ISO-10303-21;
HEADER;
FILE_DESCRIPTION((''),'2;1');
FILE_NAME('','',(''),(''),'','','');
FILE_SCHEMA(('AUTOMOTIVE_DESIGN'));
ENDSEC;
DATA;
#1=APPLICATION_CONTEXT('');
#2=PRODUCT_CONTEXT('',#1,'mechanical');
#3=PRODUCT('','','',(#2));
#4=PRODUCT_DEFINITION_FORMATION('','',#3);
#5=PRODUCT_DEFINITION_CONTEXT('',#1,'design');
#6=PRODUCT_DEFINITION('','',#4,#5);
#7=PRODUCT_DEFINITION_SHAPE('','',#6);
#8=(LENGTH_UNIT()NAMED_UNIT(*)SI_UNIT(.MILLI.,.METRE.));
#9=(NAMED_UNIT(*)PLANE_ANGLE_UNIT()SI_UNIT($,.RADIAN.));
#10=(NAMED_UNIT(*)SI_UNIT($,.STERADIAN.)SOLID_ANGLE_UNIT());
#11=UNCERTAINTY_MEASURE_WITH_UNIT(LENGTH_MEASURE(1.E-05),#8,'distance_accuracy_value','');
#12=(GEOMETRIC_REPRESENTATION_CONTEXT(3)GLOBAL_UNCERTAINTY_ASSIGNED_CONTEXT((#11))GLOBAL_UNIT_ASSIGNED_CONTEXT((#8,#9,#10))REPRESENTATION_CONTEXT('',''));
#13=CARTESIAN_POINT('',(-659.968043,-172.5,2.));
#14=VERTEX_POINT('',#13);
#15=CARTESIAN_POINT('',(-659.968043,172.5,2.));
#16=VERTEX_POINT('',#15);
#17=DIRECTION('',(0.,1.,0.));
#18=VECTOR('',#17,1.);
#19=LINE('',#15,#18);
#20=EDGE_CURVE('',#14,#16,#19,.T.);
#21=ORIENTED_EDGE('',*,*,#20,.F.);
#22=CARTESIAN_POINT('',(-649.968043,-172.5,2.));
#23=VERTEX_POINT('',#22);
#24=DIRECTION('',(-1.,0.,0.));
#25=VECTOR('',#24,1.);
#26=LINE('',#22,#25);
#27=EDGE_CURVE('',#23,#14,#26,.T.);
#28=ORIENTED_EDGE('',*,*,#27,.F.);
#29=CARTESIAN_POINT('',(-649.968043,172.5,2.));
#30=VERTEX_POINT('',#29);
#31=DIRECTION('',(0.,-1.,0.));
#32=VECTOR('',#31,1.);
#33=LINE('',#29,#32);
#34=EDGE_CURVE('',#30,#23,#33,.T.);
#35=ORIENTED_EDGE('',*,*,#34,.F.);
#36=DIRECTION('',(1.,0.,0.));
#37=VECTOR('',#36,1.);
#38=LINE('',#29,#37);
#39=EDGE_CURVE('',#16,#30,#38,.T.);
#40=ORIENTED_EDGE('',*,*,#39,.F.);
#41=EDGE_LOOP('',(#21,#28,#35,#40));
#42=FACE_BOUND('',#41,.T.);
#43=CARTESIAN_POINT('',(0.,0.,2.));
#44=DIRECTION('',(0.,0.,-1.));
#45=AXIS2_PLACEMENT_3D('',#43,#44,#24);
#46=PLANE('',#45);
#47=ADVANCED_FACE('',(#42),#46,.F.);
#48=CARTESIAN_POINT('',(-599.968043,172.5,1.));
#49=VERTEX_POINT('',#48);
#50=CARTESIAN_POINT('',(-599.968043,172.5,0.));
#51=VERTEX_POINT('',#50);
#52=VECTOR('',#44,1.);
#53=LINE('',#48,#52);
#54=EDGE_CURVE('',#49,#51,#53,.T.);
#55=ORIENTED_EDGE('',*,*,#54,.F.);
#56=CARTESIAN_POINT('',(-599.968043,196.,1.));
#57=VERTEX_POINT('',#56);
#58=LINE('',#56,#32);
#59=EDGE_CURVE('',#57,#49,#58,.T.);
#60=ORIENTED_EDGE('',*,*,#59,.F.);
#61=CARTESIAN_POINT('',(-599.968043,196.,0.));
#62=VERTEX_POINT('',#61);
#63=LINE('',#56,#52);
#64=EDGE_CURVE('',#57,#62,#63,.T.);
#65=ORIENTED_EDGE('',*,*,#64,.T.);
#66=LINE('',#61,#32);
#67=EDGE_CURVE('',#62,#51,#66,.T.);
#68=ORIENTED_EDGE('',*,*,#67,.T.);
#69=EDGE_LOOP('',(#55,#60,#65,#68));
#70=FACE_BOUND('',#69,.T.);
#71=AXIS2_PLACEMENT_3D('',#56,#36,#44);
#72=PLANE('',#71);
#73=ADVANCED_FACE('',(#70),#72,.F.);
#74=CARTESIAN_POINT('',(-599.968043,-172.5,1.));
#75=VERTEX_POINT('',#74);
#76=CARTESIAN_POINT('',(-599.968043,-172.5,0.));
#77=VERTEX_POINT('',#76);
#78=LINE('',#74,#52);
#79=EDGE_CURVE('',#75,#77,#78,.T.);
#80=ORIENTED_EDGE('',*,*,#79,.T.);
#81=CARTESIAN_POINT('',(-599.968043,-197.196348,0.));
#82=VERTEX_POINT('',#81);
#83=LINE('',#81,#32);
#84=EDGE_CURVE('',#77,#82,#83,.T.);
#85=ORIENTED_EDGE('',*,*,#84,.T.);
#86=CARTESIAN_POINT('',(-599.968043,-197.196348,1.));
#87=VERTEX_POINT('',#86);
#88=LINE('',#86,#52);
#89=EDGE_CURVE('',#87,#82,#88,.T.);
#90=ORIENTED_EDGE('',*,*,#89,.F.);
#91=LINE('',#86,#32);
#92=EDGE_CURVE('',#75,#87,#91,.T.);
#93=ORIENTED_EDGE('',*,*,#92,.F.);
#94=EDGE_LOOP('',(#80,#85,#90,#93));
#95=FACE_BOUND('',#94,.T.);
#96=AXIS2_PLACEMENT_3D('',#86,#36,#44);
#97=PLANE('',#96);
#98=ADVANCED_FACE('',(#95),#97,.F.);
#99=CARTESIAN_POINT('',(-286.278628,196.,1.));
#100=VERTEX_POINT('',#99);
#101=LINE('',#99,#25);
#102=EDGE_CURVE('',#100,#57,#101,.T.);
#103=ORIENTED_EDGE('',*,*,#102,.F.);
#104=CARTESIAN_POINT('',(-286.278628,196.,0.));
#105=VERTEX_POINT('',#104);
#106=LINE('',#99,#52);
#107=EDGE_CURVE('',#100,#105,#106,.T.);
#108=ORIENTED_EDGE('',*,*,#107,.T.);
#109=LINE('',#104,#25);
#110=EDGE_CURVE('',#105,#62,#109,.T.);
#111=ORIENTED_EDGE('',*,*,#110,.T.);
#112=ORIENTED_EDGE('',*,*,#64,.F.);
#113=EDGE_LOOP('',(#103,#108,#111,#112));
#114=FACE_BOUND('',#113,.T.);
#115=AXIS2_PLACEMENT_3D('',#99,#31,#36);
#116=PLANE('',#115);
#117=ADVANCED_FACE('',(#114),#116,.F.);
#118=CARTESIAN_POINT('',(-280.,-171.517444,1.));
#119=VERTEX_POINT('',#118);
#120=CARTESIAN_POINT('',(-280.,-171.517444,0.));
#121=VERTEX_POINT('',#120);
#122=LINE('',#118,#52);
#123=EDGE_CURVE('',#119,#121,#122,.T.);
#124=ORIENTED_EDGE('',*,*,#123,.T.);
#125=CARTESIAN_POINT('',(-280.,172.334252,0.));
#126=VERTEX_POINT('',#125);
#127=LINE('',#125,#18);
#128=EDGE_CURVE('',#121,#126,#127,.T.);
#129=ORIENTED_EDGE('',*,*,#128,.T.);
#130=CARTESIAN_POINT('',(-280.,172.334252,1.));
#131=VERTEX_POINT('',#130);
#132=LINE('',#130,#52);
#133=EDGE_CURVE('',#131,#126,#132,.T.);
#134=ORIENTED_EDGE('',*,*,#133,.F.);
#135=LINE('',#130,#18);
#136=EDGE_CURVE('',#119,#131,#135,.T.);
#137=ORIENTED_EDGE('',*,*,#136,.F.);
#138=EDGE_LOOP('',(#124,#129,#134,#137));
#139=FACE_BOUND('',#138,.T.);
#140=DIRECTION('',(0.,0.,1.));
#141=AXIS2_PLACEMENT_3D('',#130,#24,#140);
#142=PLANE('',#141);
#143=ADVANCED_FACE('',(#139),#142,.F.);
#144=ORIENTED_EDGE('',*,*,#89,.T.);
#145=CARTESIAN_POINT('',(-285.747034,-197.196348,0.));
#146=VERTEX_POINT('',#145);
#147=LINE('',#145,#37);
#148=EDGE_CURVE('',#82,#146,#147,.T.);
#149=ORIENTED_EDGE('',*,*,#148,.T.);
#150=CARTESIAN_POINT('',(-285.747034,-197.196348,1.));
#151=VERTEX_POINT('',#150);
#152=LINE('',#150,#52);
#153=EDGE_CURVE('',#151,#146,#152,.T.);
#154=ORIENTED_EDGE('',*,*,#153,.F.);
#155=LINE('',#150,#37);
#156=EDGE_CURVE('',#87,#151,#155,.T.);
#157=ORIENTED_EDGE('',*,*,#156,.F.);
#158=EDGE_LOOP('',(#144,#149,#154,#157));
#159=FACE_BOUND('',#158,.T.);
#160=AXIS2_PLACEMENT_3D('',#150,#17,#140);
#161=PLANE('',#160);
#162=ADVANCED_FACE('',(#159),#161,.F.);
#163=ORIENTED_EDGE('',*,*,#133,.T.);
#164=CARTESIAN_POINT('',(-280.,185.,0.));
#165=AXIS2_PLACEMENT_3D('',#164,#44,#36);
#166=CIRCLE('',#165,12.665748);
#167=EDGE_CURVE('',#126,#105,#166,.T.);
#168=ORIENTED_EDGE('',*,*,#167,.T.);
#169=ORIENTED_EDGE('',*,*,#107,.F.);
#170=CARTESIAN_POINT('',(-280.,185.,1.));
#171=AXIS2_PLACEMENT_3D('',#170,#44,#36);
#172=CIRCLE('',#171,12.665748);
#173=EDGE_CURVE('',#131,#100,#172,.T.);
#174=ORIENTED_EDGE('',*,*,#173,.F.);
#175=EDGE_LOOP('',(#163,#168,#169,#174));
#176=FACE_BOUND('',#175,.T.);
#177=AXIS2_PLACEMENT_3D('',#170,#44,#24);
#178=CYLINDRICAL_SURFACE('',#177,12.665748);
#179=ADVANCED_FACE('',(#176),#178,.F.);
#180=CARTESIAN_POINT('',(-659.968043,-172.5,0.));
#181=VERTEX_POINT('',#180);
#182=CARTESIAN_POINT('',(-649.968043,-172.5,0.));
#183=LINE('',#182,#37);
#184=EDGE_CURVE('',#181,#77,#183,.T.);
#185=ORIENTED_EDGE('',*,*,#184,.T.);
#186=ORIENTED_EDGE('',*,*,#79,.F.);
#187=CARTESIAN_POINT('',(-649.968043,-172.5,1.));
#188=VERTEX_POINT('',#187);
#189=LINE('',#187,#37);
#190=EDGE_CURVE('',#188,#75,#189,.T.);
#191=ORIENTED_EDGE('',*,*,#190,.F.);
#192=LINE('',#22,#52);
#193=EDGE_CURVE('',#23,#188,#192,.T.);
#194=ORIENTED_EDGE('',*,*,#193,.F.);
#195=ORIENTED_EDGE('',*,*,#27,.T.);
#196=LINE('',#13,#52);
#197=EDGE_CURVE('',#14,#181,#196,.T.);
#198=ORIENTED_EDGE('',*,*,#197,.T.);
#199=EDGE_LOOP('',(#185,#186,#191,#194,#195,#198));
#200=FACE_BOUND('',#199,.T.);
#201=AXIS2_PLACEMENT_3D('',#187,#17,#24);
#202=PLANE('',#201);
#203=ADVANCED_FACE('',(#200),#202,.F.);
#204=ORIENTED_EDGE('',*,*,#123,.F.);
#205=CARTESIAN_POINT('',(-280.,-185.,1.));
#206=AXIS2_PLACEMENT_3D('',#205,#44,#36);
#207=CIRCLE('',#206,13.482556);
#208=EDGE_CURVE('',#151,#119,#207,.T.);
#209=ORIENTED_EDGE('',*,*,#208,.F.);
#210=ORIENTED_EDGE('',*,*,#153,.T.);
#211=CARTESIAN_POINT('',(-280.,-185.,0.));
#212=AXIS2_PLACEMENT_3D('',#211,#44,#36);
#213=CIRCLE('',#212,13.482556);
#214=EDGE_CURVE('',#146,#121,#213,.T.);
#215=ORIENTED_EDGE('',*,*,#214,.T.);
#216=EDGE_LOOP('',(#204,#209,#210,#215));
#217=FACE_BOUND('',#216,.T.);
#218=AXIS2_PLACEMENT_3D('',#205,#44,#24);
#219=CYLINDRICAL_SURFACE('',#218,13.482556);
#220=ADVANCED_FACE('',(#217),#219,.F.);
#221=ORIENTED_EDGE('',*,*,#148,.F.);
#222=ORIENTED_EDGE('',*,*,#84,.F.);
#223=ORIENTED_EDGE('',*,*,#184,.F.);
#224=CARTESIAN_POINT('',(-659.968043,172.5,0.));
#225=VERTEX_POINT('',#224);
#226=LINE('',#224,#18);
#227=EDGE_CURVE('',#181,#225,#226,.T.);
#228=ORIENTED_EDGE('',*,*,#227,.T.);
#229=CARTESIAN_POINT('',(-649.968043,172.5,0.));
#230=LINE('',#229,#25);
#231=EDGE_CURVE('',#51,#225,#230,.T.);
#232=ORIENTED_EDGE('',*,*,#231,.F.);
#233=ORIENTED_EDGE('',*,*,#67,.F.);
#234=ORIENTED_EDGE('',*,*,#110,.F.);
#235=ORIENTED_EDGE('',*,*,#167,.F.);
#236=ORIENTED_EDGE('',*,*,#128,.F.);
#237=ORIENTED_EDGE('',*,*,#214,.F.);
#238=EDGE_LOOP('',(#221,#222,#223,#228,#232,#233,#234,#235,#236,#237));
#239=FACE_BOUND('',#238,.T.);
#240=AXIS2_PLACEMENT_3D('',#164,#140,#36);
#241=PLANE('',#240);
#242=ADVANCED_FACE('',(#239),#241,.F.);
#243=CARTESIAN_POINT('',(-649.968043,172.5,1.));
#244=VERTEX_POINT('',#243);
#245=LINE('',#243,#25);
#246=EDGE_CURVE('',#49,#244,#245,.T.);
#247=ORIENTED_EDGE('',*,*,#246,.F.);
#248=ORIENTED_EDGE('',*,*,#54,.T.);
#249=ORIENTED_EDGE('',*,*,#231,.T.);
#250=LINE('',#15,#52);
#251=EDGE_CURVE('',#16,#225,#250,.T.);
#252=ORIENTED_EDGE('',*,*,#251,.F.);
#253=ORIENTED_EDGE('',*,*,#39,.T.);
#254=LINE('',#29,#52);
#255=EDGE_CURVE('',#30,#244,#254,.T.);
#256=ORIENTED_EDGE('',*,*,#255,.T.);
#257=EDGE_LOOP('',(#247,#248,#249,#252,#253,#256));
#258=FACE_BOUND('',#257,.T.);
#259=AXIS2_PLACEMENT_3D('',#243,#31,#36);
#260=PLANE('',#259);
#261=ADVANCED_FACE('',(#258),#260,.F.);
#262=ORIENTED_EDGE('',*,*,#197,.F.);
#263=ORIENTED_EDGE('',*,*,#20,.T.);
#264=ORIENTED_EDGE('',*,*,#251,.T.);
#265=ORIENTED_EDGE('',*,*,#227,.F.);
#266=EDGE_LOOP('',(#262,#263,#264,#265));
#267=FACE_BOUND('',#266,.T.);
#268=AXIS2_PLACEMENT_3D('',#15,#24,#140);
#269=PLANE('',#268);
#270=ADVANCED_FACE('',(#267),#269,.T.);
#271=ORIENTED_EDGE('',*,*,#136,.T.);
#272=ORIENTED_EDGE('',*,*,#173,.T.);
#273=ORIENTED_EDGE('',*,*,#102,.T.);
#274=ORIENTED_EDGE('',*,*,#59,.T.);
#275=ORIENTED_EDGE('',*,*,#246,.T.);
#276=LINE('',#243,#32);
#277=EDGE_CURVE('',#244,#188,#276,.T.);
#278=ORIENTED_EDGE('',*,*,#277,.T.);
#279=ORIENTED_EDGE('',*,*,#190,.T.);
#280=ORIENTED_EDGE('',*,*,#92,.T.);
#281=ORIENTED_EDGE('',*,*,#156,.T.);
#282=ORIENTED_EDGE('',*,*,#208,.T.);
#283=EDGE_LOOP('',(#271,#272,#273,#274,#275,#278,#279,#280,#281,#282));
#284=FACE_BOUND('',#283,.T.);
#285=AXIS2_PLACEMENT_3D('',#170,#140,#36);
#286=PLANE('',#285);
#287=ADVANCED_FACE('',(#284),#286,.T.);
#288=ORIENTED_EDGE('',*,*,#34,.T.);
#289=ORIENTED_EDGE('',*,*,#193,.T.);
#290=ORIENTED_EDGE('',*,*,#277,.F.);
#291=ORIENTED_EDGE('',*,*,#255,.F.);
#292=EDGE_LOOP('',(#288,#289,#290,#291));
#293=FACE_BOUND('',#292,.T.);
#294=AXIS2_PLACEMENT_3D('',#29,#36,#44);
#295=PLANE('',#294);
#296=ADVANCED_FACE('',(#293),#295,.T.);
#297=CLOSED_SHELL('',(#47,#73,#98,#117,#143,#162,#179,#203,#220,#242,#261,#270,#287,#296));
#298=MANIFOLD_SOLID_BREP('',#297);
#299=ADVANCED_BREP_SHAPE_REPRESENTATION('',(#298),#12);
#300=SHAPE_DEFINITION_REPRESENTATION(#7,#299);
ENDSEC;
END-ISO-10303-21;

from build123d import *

# Parameters (mm, degrees)
DODANIE_WYCI_GNI_CIE1_DEPTH = 1
SZKIC2_W                    = 10
SZKIC2_H                    = 345
DODANIE_WYCI_GNI_CIE2_DEPTH = 2


with BuildPart() as part:
    # Szkic1 → Dodanie-wyciągnięcie1 (new body)
    with BuildSketch(Plane.XY):
        with BuildLine():
            Line((-286.27862804, 196), (-599.968042624, 196))
            Line((-599.968042624, 196), (-599.968042624, 172.5))
            Line((-599.968042624, 172.5), (-649.968042624, 172.5))
            Line((-649.968042624, 172.5), (-649.968042624, -172.5))
            Line((-649.968042624, -172.5), (-599.968042624, -172.5))
            Line((-599.968042624, -172.5), (-599.968042624, -197.196347915))
            Line((-599.968042624, -197.196347915), (-285.747034082, -197.196347915))
            ThreePointArc((-285.747034082, -197.196347915), (-293.157074923, -182.055397704), (-280, -171.517444485))
            Line((-280, -171.517444485), (-280, 172.334252092))
            ThreePointArc((-280, 172.334252092), (-292.242230129, 181.752081969), (-286.27862804, 196))
        make_face()
    extrude(amount=DODANIE_WYCI_GNI_CIE1_DEPTH)

    # Szkic2 → Dodanie-wyciągnięcie2 (add)
    with BuildSketch(Plane(origin=(0, 0, 0), x_dir=(-1, 0, 0), z_dir=(0, 0, -1))):
        with Locations((654.968042624, 0)):
            Rectangle(SZKIC2_W, SZKIC2_H)
    extrude(amount=-DODANIE_WYCI_GNI_CIE2_DEPTH)


solid = part.part
